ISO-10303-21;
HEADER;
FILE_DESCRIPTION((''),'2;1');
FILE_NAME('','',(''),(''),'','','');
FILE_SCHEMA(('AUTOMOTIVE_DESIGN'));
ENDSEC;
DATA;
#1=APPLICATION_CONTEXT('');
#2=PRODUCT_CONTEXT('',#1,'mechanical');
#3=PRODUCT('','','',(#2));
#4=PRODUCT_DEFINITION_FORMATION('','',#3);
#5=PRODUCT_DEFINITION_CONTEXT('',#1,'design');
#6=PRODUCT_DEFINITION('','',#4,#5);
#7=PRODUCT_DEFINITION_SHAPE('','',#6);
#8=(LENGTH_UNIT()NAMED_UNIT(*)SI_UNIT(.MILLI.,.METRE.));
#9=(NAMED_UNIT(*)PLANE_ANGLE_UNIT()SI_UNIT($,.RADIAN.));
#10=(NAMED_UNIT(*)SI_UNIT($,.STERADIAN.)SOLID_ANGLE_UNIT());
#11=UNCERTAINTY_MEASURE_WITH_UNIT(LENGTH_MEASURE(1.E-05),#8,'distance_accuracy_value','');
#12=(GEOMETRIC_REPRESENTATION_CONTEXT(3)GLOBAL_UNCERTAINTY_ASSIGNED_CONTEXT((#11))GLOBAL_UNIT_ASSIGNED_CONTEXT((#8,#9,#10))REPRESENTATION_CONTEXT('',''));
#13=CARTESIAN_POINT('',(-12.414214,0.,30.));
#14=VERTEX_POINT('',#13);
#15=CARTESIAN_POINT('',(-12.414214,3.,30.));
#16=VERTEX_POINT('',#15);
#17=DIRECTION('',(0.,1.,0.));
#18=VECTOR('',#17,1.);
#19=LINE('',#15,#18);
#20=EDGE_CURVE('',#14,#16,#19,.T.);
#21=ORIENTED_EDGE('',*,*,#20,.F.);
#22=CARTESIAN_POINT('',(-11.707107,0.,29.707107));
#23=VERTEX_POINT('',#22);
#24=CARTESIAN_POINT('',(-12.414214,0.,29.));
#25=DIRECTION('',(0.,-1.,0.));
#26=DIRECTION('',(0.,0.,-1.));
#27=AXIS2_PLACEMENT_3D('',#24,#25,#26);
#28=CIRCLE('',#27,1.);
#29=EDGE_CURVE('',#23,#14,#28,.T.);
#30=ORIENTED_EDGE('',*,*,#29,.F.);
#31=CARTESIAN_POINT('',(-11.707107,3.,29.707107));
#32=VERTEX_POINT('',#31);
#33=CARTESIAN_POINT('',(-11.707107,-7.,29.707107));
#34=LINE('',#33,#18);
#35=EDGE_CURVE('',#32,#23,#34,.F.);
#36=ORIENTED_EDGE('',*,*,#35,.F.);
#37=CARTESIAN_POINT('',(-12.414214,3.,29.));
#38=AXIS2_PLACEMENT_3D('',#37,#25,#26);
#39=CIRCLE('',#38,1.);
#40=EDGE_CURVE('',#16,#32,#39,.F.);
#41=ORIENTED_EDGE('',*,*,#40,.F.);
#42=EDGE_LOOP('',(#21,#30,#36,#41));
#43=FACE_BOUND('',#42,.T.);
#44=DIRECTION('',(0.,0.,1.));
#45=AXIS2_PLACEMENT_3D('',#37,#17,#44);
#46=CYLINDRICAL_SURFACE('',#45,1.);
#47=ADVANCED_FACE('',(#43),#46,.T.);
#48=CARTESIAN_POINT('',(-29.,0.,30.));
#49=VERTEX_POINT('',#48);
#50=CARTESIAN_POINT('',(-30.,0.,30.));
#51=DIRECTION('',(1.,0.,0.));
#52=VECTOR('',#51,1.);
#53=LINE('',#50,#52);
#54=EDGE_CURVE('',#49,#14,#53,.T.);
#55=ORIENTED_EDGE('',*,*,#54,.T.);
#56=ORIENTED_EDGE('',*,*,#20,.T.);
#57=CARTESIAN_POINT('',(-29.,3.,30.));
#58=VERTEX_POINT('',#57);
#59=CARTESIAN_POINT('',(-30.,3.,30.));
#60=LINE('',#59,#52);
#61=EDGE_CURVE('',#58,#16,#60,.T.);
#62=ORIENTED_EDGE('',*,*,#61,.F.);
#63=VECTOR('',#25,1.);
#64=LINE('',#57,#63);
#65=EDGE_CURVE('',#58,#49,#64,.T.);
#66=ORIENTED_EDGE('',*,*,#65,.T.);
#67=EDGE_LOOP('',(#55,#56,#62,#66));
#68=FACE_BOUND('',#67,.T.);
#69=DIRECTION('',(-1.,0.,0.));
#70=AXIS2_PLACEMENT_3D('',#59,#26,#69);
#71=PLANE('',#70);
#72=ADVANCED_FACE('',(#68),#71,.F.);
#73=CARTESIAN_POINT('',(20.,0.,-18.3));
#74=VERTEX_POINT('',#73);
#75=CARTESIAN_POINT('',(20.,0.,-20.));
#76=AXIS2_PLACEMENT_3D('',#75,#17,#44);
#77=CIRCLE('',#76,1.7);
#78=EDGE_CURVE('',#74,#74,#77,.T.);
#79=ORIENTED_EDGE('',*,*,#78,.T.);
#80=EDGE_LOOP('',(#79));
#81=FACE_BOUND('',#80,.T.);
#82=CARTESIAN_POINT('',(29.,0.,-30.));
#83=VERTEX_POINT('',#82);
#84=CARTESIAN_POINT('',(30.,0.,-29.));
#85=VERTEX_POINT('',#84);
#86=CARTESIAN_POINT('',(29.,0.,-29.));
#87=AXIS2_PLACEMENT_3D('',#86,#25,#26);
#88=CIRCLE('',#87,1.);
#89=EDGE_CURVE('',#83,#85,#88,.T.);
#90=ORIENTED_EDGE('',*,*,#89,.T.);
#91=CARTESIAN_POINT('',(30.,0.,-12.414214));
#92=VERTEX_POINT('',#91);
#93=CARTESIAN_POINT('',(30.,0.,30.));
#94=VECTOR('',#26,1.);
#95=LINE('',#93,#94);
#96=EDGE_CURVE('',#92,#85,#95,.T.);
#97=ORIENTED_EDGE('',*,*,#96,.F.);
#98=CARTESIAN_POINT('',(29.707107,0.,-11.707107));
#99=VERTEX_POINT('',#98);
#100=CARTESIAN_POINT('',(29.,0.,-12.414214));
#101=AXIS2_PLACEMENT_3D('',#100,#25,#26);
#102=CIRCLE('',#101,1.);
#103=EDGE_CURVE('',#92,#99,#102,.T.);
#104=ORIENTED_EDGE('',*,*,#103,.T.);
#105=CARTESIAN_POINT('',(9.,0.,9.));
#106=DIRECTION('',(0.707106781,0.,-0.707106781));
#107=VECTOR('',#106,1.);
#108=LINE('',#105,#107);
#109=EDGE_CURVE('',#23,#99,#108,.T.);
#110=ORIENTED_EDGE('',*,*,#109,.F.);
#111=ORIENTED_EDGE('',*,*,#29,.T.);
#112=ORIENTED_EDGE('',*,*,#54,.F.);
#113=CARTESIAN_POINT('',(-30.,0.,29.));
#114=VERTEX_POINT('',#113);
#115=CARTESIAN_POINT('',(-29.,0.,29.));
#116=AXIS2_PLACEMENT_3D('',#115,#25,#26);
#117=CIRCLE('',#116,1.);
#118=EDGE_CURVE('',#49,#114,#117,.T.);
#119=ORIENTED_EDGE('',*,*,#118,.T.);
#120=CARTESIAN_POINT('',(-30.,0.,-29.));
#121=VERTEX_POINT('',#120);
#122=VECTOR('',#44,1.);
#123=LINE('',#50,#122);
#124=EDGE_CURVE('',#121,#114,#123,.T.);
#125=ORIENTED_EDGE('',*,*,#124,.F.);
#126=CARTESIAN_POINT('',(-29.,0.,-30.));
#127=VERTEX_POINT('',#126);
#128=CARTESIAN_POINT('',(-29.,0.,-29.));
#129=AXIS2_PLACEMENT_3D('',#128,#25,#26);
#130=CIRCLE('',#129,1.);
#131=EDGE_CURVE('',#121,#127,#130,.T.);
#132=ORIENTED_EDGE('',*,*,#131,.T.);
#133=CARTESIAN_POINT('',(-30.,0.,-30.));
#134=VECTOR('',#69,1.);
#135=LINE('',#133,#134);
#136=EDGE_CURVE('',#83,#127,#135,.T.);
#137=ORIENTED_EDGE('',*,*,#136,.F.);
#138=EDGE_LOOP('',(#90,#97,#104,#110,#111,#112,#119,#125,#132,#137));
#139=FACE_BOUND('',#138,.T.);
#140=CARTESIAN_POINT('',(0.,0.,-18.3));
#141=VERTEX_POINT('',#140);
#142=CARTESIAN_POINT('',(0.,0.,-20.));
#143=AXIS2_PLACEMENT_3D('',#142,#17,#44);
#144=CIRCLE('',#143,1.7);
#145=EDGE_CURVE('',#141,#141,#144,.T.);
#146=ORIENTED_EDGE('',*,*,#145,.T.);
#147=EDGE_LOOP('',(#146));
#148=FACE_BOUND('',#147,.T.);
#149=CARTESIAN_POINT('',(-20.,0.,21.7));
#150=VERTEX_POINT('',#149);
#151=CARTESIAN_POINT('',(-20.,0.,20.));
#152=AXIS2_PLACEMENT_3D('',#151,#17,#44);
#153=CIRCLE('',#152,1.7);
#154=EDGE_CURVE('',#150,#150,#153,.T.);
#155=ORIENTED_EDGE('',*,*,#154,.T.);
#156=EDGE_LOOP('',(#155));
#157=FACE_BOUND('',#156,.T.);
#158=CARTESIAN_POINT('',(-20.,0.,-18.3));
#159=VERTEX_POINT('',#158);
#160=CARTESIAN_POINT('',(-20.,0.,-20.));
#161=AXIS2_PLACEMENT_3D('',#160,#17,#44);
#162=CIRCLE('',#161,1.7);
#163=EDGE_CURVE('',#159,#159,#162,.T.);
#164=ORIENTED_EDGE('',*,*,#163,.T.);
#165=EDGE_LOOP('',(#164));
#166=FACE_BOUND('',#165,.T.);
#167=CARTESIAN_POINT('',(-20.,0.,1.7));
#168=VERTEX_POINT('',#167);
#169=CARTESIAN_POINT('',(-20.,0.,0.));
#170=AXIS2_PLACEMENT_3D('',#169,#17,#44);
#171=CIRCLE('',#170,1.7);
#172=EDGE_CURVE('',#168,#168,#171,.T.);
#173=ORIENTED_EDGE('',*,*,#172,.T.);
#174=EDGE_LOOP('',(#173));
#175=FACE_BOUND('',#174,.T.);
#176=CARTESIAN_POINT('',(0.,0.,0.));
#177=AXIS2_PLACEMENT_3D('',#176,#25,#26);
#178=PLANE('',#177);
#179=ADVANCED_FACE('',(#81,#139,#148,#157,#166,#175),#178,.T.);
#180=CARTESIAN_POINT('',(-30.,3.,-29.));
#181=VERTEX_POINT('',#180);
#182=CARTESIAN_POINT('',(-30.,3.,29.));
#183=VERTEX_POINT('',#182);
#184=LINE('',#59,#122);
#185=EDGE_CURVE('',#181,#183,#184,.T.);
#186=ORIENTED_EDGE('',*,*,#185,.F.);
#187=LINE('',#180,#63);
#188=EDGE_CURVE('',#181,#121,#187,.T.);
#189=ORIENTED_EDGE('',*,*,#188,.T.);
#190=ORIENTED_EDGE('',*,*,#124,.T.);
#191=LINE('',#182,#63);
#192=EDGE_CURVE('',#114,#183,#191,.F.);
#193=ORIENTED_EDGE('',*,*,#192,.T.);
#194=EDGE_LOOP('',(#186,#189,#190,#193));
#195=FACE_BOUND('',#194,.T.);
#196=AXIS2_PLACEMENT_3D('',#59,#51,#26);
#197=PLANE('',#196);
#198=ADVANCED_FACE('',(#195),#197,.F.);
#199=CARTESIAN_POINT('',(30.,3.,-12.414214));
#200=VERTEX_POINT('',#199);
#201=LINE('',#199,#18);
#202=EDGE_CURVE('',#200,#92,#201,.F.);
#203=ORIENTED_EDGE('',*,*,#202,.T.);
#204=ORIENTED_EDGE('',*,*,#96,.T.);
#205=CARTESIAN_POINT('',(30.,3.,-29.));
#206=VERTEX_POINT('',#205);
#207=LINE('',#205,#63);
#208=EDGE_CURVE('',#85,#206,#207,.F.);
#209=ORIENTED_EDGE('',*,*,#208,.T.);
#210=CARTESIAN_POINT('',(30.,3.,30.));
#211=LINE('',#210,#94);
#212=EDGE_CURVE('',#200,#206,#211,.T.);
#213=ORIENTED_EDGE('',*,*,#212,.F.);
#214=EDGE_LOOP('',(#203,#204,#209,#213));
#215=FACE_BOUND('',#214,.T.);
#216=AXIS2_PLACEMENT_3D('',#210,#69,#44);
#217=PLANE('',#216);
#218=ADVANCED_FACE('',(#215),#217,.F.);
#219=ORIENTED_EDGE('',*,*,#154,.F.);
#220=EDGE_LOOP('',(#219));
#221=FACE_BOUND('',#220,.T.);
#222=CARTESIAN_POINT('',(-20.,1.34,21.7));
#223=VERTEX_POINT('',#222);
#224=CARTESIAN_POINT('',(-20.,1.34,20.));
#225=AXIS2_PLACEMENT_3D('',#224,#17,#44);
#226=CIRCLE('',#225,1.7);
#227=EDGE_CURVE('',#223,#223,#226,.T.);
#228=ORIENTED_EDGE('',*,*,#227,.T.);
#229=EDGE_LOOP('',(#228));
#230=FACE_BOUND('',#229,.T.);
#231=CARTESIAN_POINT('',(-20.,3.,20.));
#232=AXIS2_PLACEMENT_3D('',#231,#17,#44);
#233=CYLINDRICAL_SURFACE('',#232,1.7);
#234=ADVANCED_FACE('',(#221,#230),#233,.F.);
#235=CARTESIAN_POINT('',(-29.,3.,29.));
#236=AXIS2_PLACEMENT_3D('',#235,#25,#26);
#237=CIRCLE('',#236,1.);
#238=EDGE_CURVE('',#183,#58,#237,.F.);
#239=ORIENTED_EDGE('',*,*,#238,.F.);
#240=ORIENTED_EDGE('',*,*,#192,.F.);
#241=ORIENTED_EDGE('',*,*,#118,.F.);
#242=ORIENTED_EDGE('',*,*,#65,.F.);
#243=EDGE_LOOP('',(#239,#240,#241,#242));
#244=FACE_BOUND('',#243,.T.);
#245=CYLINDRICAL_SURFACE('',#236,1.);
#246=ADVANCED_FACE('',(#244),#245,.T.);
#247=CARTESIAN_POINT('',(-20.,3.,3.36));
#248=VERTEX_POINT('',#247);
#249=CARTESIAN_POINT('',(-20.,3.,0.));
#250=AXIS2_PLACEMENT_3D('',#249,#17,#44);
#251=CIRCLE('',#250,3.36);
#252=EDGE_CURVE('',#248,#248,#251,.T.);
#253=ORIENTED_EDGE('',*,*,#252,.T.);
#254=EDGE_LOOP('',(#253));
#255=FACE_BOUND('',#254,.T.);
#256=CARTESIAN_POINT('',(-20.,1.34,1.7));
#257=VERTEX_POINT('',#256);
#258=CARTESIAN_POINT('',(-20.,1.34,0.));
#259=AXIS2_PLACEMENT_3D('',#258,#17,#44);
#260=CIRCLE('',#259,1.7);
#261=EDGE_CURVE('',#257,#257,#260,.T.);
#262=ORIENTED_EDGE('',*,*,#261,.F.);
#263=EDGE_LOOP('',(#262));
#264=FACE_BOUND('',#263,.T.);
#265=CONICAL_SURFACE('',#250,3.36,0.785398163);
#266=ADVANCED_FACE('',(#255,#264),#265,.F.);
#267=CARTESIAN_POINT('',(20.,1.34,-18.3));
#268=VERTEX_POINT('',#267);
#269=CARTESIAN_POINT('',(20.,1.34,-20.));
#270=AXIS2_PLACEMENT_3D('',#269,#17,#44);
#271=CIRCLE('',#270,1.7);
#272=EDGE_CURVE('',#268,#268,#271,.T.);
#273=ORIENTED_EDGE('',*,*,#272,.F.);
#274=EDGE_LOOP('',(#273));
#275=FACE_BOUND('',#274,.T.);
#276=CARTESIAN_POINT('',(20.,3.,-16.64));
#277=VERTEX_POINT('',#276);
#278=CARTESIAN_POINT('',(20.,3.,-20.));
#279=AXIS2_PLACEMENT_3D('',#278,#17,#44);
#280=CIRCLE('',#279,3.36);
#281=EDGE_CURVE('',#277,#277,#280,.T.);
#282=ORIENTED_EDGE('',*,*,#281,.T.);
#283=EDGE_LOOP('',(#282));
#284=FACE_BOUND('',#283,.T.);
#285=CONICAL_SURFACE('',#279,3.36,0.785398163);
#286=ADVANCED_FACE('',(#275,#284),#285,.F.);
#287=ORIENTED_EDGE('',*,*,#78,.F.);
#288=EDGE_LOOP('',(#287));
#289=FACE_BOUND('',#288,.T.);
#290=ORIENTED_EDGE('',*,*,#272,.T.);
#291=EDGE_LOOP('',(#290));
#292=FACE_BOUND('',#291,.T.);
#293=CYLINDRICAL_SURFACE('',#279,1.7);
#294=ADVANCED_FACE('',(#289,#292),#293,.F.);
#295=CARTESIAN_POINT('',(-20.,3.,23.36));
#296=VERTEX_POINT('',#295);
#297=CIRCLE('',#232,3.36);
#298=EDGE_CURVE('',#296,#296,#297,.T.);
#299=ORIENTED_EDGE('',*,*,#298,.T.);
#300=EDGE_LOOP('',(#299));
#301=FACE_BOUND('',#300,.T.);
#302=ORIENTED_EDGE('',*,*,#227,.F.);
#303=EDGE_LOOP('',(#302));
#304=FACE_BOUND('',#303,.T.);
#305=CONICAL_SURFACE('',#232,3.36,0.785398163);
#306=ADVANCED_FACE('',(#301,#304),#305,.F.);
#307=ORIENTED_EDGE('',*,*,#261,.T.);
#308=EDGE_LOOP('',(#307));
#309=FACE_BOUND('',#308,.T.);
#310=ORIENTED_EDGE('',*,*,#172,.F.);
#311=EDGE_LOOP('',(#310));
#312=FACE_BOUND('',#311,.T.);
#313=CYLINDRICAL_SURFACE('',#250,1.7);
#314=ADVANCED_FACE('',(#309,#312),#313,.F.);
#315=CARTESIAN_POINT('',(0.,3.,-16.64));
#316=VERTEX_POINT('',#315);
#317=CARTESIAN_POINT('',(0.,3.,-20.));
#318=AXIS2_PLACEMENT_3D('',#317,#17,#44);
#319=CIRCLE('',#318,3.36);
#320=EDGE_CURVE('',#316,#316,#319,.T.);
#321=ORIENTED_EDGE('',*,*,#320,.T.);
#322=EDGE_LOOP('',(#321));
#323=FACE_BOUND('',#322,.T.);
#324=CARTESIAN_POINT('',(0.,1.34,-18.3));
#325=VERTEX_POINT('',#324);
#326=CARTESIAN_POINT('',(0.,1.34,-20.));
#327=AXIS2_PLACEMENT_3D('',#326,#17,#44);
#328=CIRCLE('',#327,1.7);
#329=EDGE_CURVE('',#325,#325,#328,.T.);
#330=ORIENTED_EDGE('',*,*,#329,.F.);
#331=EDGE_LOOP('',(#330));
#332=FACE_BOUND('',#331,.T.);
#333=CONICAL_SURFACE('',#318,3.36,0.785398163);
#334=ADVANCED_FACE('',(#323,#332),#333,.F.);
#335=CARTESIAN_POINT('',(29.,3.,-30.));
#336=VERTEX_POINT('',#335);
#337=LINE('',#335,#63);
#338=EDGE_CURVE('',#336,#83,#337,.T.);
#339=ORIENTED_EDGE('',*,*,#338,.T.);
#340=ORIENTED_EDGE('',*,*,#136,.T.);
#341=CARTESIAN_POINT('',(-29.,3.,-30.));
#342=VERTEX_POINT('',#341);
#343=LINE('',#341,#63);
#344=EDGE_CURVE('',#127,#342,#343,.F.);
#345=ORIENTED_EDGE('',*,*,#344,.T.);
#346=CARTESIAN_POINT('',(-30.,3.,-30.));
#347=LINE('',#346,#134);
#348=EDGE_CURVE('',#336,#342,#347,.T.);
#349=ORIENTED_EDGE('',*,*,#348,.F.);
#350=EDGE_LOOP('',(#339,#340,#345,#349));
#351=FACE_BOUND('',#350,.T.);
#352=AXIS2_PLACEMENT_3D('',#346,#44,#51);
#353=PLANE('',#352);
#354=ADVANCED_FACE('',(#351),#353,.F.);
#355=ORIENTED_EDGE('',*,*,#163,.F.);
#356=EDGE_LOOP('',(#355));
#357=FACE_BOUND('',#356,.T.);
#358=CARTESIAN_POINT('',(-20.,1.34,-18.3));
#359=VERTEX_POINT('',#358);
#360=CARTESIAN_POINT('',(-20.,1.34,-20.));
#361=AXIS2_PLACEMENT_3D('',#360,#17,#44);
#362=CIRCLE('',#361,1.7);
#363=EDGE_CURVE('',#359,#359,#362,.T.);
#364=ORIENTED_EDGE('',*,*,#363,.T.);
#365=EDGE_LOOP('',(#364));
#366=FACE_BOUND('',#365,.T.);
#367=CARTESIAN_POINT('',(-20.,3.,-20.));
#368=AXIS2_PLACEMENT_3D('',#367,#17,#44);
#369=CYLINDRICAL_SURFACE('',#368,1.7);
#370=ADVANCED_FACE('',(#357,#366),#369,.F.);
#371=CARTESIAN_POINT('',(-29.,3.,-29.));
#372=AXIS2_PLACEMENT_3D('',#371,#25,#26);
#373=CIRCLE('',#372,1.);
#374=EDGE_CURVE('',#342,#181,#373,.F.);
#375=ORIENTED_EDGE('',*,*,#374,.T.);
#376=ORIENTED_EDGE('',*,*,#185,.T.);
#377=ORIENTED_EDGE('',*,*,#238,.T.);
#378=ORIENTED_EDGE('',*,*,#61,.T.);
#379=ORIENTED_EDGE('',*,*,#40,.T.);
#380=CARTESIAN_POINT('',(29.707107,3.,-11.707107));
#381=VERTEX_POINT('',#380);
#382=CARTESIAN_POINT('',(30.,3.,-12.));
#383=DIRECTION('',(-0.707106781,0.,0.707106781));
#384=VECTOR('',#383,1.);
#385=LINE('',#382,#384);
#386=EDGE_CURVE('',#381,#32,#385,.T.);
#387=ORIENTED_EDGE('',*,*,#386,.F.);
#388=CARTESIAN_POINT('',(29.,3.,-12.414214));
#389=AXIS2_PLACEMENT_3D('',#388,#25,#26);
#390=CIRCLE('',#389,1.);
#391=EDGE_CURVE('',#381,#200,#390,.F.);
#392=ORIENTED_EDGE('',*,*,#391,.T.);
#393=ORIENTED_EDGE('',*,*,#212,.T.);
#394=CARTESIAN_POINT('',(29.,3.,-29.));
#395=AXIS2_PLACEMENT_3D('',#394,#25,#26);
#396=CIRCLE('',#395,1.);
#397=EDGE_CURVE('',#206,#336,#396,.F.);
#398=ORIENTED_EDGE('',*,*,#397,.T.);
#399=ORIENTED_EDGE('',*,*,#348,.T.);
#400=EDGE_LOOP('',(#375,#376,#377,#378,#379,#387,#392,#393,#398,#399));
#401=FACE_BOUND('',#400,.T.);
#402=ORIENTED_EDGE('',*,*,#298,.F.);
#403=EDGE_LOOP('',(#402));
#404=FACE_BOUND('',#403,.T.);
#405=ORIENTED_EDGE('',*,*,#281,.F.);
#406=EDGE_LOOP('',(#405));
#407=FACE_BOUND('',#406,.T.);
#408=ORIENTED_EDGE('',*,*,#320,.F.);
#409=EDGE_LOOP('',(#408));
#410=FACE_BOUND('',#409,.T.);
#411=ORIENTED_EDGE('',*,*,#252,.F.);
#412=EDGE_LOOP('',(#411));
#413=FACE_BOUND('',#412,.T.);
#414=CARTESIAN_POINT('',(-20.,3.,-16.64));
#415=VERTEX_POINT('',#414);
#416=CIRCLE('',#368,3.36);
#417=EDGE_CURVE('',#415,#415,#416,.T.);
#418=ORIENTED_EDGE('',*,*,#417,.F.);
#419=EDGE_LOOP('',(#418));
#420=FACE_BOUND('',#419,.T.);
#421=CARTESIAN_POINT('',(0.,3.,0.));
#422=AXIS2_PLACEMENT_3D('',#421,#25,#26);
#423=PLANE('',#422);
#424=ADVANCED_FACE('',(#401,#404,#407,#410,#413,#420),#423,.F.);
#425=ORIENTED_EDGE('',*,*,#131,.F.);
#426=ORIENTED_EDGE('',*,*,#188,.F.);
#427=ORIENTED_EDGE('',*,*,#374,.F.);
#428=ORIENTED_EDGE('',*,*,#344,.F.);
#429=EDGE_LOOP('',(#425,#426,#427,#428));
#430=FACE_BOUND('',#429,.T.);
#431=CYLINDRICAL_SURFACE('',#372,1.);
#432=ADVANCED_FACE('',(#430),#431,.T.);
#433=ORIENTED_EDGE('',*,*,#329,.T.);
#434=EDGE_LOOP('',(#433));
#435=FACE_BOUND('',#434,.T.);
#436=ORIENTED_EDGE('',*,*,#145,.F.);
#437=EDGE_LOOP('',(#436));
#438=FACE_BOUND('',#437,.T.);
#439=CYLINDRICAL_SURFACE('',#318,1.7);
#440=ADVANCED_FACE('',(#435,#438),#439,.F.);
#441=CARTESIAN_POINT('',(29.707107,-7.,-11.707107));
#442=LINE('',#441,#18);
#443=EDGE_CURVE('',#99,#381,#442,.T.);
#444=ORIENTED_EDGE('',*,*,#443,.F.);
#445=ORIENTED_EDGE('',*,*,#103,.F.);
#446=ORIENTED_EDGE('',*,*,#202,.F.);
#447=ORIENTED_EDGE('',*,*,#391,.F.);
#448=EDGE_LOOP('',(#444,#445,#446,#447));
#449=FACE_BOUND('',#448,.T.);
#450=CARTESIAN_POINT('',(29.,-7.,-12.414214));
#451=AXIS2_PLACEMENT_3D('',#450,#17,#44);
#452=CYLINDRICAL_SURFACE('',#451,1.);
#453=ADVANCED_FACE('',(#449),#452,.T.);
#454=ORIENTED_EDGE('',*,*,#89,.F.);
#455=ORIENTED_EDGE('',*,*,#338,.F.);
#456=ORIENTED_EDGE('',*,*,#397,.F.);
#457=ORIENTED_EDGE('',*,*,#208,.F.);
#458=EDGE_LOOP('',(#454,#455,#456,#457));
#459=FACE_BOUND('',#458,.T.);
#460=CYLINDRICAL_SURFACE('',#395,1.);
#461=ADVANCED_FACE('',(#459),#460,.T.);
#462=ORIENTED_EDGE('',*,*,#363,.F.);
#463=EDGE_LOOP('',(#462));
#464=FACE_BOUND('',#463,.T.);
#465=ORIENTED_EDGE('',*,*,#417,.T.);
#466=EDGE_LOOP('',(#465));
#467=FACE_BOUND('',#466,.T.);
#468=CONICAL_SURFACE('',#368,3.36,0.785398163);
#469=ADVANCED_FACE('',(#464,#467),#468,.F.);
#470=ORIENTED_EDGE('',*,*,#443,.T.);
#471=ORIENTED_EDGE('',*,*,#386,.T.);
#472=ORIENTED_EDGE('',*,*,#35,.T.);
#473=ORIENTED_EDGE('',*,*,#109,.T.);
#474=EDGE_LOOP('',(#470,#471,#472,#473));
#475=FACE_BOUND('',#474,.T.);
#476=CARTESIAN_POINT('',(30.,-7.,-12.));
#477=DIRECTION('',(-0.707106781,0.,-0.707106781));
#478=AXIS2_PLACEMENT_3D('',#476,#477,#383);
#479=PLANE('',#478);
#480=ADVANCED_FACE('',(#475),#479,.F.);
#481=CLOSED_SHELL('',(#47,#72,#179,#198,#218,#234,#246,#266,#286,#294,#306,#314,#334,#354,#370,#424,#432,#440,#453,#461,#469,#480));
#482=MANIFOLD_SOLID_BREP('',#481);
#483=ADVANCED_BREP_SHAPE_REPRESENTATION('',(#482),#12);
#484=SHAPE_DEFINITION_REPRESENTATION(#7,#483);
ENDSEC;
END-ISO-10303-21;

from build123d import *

# Parameters (mm, degrees)
SKETCH2_W                                    = 60
SKETCH2_H                                    = 60
BOSS_EXTRUDE1_DEPTH                          = 3
CUT_EXTRUDE1_DEPTH                           = 10
CSK_FOR_M3_HEX_SOCKET_COUNTERSUNK_CA_2_COUNT = 2
CSK_FOR_M3_HEX_SOCKET_COUNTERSUNK_CA_2_PITCH = 20
CSK_FOR_M3_HEX_SOCKET_COUNTERSUNK_CA_3_COUNT = 2
CSK_FOR_M3_HEX_SOCKET_COUNTERSUNK_CA_3_PITCH = 40
CSK_FOR_M3_HEX_SOCKET_COUNTERSUNK_CA_4_COUNT = 2
CSK_FOR_M3_HEX_SOCKET_COUNTERSUNK_CA_4_PITCH = 20
CSK_FOR_M3_HEX_SOCKET_COUNTERSUNK_CA_5_COUNT = 2
CSK_FOR_M3_HEX_SOCKET_COUNTERSUNK_CA_5_PITCH = 40
FILLET1_R                                    = 1


with BuildPart() as part:
    # Sketch2 → Boss-Extrude1 (new body)
    with BuildSketch(Plane(origin=(0, 0, 0), x_dir=(1, 0, 0), z_dir=(0, 1, 0))):
        Rectangle(SKETCH2_W, SKETCH2_H)
    extrude(amount=BOSS_EXTRUDE1_DEPTH)

    # Sketch3 → Cut-Extrude1 (cut)
    with BuildSketch(Plane(origin=(0, 3, 0), x_dir=(1, 0, 0), z_dir=(0, 1, 0))):
        Polygon((30, 12), (-12, -30), (30, -30), align=None)
    extrude(amount=-CUT_EXTRUDE1_DEPTH, mode=Mode.SUBTRACT)

    # Sketch6 → CSK for M3 Hex Socket Countersunk Cap Screw1 (revolve, cut)
    with BuildSketch(Plane(origin=(-20, 3, -20), x_dir=(0, 0, 1), z_dir=(1, 0, 0))):
        Polygon((0, 0), (0, 3), (1.7, 3), (1.7, 1.66), (3.36, 0), align=None)
    csk_for_m3_hex_socket_countersunk_cap_sc = revolve(axis=Axis((-20, 9.35, -20), (0, -1, 0)), mode=Mode.SUBTRACT)

    # CSK for M3 Hex Socket Countersunk Ca 2: CSK for M3 Hex Socket Countersunk Cap Screw1 ×2
    with Locations(*[(i * CSK_FOR_M3_HEX_SOCKET_COUNTERSUNK_CA_2_PITCH, 0, 0) for i in range(1, CSK_FOR_M3_HEX_SOCKET_COUNTERSUNK_CA_2_COUNT)]):
        add(csk_for_m3_hex_socket_countersunk_cap_sc, mode=Mode.SUBTRACT)

    # CSK for M3 Hex Socket Countersunk Ca 3: CSK for M3 Hex Socket Countersunk Cap Screw1 ×2
    with Locations(*[(i * CSK_FOR_M3_HEX_SOCKET_COUNTERSUNK_CA_3_PITCH, 0, 0) for i in range(1, CSK_FOR_M3_HEX_SOCKET_COUNTERSUNK_CA_3_COUNT)]):
        add(csk_for_m3_hex_socket_countersunk_cap_sc, mode=Mode.SUBTRACT)

    # CSK for M3 Hex Socket Countersunk Ca 4: CSK for M3 Hex Socket Countersunk Cap Screw1 ×2
    with Locations(*[(0, 0, i * CSK_FOR_M3_HEX_SOCKET_COUNTERSUNK_CA_4_PITCH) for i in range(1, CSK_FOR_M3_HEX_SOCKET_COUNTERSUNK_CA_4_COUNT)]):
        add(csk_for_m3_hex_socket_countersunk_cap_sc, mode=Mode.SUBTRACT)

    # CSK for M3 Hex Socket Countersunk Ca 5: CSK for M3 Hex Socket Countersunk Cap Screw1 ×2
    with Locations(*[(0, 0, i * CSK_FOR_M3_HEX_SOCKET_COUNTERSUNK_CA_5_PITCH) for i in range(1, CSK_FOR_M3_HEX_SOCKET_COUNTERSUNK_CA_5_COUNT)]):
        add(csk_for_m3_hex_socket_countersunk_cap_sc, mode=Mode.SUBTRACT)

    # Fillet1
    fillet1_edges = [part.edges().sort_by_distance(p)[0] for p in [
        (30, 1.5, -12),
        (-12, 1.5, 30),
        (-30, 1.5, 30),
        (-30, 1.5, -30),
        (30, 1.5, -30),
    ]]
    fillet(fillet1_edges, radius=FILLET1_R)


solid = part.part
